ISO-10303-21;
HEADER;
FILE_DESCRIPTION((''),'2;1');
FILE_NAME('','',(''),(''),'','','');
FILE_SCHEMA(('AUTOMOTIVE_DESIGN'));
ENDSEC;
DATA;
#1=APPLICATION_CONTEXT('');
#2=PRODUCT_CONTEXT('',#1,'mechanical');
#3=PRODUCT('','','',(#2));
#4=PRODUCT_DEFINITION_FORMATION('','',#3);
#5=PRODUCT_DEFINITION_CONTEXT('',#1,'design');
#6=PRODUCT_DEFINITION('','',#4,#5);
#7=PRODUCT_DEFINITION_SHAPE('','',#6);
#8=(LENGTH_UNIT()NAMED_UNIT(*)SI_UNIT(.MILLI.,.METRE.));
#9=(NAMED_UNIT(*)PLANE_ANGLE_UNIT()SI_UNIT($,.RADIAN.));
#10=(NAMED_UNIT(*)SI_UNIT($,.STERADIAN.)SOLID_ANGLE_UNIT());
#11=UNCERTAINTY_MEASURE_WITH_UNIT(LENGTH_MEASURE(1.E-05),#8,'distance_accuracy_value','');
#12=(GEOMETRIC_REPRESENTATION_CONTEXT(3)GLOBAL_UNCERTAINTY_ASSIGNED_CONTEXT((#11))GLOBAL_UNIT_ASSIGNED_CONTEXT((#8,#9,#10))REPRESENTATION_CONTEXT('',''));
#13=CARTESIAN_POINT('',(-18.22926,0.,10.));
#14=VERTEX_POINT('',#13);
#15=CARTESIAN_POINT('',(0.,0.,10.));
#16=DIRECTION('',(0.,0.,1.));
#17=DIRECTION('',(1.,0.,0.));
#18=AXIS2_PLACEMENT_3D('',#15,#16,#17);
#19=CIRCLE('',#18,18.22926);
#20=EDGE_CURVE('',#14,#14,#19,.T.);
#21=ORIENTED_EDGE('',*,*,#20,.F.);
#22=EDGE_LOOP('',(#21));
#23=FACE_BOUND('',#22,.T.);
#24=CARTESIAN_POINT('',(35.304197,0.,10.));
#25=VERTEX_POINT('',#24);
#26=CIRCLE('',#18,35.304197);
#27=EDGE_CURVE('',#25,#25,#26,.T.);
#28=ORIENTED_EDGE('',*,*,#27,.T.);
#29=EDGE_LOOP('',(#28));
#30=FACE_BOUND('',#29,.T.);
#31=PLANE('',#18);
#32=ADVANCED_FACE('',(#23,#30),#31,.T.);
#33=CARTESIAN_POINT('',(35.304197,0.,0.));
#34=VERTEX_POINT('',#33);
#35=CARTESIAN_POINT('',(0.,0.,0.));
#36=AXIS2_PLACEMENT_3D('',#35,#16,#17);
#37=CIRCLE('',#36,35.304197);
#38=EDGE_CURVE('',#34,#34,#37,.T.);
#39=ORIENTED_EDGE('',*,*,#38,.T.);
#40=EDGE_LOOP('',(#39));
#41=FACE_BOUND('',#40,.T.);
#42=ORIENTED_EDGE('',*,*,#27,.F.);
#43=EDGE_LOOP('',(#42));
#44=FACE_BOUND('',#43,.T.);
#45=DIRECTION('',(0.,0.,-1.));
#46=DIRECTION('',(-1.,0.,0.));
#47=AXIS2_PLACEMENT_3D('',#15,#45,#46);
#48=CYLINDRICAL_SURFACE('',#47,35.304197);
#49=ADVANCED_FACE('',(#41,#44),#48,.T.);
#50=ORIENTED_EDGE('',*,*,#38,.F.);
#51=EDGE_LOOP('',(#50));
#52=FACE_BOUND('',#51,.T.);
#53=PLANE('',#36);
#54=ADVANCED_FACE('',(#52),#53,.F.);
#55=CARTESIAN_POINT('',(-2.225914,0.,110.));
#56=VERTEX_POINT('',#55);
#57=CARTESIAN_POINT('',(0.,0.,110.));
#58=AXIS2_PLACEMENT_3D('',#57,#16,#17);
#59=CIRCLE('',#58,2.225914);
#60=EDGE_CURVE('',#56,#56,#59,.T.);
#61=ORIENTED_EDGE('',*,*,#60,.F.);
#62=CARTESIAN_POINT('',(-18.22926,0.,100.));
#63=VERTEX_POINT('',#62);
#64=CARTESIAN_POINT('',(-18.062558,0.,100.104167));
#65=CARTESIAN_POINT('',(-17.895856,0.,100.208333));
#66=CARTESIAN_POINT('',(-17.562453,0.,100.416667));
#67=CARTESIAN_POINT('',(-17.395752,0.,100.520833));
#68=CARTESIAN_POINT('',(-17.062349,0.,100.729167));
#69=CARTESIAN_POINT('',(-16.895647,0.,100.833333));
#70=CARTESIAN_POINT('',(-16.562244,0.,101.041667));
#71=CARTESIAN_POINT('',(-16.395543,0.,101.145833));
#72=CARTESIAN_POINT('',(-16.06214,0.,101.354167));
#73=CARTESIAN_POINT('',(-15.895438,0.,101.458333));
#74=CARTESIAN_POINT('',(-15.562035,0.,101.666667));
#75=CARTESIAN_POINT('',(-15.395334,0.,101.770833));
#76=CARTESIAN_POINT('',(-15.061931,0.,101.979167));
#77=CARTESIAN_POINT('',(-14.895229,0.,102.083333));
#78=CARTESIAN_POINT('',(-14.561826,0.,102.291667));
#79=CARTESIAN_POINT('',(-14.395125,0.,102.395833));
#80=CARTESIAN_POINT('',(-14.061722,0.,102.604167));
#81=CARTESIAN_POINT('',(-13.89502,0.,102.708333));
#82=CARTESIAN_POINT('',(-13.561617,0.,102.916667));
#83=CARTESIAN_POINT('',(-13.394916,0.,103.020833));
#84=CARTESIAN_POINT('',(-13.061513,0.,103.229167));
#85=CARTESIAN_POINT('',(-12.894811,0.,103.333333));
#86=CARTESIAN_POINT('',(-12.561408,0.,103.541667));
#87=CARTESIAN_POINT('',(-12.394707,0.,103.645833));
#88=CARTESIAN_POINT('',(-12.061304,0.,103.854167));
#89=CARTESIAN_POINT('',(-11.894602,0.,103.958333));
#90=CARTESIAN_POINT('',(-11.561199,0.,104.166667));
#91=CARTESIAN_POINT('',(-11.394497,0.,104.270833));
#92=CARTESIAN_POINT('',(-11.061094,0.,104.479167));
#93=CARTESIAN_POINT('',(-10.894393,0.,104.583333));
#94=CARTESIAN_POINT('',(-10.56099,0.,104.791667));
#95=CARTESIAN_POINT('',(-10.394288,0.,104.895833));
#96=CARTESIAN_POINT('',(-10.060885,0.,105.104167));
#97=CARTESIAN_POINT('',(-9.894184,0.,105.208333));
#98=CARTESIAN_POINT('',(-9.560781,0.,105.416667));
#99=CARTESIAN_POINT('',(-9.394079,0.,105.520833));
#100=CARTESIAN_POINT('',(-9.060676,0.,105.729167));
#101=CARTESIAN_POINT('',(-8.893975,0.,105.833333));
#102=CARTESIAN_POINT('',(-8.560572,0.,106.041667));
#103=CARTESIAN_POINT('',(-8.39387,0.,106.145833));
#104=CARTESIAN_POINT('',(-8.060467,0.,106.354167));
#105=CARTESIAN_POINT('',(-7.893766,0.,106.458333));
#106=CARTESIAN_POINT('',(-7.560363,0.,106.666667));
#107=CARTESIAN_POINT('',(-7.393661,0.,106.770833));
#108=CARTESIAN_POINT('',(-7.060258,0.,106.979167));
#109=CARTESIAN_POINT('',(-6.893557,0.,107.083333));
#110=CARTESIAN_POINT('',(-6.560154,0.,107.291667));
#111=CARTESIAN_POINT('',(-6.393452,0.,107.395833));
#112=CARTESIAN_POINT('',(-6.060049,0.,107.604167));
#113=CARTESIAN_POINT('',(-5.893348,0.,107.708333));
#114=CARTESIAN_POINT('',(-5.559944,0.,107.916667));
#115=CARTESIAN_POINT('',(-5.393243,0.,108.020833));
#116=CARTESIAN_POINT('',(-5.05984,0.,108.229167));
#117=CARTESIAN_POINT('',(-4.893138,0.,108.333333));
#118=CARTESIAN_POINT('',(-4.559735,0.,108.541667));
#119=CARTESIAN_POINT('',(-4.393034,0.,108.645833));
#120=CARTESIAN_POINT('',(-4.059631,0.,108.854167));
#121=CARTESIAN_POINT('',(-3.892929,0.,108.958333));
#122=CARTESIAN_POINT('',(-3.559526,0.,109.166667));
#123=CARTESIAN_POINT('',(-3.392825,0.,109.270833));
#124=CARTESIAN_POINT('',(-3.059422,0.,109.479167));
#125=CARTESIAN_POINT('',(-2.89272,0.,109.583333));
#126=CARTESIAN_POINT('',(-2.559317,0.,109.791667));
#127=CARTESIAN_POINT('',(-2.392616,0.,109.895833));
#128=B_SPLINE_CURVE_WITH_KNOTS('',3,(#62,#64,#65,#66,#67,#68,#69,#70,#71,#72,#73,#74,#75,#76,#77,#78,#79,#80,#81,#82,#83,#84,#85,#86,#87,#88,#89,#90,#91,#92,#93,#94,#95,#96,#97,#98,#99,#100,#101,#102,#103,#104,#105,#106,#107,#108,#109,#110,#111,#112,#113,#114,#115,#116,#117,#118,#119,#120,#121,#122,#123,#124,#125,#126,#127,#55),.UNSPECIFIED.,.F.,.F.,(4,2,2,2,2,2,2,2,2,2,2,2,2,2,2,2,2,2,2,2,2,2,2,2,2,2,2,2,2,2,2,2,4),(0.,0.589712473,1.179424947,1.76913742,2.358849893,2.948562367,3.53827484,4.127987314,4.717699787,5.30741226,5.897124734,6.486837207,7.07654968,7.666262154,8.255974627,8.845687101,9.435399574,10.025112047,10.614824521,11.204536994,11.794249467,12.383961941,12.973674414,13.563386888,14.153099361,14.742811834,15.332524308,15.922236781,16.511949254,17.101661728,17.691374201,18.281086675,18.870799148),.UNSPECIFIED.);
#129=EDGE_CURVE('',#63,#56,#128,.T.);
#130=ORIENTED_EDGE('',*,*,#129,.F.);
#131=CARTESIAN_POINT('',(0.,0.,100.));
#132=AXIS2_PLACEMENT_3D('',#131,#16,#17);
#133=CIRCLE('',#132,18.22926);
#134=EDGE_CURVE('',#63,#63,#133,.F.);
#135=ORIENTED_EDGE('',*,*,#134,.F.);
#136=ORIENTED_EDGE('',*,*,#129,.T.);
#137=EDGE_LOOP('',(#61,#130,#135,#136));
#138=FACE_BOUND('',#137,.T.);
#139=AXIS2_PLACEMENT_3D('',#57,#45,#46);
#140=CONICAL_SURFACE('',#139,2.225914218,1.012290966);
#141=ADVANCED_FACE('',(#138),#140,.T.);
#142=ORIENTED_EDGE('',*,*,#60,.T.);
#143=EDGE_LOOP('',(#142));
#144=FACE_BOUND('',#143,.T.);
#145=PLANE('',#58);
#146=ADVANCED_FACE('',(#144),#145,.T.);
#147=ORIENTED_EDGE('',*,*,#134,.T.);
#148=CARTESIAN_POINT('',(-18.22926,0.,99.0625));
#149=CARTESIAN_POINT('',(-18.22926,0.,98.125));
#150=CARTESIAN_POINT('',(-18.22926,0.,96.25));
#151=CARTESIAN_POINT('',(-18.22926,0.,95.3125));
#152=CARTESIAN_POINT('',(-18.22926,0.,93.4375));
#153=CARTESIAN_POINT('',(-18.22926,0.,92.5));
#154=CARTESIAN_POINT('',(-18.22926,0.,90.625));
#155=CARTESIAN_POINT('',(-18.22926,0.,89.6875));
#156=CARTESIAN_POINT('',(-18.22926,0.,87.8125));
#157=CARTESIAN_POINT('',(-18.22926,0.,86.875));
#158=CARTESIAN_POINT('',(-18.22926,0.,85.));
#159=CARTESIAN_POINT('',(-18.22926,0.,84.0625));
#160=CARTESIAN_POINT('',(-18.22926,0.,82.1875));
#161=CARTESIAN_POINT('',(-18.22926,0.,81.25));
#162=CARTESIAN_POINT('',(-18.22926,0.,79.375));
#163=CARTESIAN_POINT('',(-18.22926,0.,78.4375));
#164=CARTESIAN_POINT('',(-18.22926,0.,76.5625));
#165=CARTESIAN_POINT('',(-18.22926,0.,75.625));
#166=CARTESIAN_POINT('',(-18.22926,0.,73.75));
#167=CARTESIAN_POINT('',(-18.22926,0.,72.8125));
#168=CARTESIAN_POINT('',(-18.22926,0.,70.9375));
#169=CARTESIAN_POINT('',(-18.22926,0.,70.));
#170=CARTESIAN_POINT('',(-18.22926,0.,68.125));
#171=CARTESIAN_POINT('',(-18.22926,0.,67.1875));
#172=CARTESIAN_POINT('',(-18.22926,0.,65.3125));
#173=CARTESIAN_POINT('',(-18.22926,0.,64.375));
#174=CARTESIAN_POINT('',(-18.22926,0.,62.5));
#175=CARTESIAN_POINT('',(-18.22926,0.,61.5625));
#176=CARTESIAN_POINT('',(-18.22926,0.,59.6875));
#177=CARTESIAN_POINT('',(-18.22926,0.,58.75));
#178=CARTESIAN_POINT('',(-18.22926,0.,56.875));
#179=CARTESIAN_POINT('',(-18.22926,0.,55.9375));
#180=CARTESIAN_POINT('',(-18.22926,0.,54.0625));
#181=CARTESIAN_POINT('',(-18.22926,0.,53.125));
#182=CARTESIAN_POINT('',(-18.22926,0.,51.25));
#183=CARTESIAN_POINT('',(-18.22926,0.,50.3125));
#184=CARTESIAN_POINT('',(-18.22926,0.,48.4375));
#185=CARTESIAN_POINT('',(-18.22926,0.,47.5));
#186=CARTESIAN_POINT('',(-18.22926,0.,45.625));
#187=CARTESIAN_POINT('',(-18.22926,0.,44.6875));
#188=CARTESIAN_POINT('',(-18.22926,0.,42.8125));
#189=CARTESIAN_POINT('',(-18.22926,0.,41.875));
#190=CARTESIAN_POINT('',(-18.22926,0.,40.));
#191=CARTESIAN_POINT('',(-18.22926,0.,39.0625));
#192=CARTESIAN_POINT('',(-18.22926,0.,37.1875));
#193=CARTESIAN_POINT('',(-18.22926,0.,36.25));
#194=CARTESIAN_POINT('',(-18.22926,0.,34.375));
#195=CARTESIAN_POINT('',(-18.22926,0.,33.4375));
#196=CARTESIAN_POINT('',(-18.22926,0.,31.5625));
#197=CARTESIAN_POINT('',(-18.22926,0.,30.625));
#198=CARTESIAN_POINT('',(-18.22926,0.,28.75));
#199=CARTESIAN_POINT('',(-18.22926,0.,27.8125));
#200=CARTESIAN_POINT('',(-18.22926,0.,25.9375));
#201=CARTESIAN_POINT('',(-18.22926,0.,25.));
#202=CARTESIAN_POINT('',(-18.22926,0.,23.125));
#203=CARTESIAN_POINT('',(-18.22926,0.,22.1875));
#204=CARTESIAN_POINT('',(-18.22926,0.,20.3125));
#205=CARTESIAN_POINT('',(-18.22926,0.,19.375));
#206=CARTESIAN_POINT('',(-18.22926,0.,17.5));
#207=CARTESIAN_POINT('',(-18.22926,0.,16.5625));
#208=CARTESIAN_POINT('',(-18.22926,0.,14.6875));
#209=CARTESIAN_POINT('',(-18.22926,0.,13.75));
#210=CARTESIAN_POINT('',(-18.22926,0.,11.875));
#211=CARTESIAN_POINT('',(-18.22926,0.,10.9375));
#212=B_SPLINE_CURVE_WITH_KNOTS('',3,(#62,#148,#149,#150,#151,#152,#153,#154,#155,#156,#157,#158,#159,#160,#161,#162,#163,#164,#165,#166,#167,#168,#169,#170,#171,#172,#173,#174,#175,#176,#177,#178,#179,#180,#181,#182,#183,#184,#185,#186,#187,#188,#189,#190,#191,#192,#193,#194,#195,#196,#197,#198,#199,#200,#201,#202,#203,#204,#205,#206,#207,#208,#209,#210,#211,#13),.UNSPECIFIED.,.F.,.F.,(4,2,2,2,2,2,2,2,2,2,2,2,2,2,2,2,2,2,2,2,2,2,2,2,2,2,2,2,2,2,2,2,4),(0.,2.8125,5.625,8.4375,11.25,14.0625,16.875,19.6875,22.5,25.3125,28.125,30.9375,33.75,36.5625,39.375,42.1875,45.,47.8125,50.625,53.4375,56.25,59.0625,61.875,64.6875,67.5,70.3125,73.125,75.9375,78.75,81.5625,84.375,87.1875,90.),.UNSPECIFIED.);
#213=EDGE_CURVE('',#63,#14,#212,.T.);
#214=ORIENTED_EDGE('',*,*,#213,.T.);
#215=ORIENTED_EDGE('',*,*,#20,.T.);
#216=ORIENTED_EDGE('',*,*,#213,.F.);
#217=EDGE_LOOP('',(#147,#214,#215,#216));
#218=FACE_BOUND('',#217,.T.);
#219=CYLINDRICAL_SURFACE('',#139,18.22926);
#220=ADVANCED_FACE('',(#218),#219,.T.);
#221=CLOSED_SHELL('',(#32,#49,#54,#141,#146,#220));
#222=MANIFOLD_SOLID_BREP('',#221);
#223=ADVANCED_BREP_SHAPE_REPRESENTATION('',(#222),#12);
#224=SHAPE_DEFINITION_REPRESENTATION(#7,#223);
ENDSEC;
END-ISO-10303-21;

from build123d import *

# Parameters (mm, degrees)
SKETCH1_R           = 35.304197416
BOSS_EXTRUDE1_DEPTH = 10
SKETCH2_R           = 18.229259508
BOSS_EXTRUDE2_DEPTH = 100
CHAMFER1_SIZE       = 10
CHAMFER1_SIZE2      = 16.00334529


with BuildPart() as part:
    # Sketch1 → Boss-Extrude1 (new body)
    with BuildSketch(Plane.XY):
        Circle(SKETCH1_R)
    extrude(amount=BOSS_EXTRUDE1_DEPTH)

    # Sketch2 → Boss-Extrude2 (add)
    with BuildSketch(Plane.XY.offset(10)):
        with Locations(Location((0, 0, 0), (0, 0, 180))):
            Circle(SKETCH2_R)
    extrude(amount=BOSS_EXTRUDE2_DEPTH)

    # Chamfer1
    chamfer1_edges = [part.edges().sort_by_distance(p)[0] for p in [
        (18.229259508, 0, 110),
    ]]
    chamfer1_side = [part.faces().sort_by_distance(p)[0] for p in [
        (18.229259508, 0, 60),
    ]]
    chamfer(chamfer1_edges, length=CHAMFER1_SIZE, length2=CHAMFER1_SIZE2, reference=chamfer1_side[0])


solid = part.part
